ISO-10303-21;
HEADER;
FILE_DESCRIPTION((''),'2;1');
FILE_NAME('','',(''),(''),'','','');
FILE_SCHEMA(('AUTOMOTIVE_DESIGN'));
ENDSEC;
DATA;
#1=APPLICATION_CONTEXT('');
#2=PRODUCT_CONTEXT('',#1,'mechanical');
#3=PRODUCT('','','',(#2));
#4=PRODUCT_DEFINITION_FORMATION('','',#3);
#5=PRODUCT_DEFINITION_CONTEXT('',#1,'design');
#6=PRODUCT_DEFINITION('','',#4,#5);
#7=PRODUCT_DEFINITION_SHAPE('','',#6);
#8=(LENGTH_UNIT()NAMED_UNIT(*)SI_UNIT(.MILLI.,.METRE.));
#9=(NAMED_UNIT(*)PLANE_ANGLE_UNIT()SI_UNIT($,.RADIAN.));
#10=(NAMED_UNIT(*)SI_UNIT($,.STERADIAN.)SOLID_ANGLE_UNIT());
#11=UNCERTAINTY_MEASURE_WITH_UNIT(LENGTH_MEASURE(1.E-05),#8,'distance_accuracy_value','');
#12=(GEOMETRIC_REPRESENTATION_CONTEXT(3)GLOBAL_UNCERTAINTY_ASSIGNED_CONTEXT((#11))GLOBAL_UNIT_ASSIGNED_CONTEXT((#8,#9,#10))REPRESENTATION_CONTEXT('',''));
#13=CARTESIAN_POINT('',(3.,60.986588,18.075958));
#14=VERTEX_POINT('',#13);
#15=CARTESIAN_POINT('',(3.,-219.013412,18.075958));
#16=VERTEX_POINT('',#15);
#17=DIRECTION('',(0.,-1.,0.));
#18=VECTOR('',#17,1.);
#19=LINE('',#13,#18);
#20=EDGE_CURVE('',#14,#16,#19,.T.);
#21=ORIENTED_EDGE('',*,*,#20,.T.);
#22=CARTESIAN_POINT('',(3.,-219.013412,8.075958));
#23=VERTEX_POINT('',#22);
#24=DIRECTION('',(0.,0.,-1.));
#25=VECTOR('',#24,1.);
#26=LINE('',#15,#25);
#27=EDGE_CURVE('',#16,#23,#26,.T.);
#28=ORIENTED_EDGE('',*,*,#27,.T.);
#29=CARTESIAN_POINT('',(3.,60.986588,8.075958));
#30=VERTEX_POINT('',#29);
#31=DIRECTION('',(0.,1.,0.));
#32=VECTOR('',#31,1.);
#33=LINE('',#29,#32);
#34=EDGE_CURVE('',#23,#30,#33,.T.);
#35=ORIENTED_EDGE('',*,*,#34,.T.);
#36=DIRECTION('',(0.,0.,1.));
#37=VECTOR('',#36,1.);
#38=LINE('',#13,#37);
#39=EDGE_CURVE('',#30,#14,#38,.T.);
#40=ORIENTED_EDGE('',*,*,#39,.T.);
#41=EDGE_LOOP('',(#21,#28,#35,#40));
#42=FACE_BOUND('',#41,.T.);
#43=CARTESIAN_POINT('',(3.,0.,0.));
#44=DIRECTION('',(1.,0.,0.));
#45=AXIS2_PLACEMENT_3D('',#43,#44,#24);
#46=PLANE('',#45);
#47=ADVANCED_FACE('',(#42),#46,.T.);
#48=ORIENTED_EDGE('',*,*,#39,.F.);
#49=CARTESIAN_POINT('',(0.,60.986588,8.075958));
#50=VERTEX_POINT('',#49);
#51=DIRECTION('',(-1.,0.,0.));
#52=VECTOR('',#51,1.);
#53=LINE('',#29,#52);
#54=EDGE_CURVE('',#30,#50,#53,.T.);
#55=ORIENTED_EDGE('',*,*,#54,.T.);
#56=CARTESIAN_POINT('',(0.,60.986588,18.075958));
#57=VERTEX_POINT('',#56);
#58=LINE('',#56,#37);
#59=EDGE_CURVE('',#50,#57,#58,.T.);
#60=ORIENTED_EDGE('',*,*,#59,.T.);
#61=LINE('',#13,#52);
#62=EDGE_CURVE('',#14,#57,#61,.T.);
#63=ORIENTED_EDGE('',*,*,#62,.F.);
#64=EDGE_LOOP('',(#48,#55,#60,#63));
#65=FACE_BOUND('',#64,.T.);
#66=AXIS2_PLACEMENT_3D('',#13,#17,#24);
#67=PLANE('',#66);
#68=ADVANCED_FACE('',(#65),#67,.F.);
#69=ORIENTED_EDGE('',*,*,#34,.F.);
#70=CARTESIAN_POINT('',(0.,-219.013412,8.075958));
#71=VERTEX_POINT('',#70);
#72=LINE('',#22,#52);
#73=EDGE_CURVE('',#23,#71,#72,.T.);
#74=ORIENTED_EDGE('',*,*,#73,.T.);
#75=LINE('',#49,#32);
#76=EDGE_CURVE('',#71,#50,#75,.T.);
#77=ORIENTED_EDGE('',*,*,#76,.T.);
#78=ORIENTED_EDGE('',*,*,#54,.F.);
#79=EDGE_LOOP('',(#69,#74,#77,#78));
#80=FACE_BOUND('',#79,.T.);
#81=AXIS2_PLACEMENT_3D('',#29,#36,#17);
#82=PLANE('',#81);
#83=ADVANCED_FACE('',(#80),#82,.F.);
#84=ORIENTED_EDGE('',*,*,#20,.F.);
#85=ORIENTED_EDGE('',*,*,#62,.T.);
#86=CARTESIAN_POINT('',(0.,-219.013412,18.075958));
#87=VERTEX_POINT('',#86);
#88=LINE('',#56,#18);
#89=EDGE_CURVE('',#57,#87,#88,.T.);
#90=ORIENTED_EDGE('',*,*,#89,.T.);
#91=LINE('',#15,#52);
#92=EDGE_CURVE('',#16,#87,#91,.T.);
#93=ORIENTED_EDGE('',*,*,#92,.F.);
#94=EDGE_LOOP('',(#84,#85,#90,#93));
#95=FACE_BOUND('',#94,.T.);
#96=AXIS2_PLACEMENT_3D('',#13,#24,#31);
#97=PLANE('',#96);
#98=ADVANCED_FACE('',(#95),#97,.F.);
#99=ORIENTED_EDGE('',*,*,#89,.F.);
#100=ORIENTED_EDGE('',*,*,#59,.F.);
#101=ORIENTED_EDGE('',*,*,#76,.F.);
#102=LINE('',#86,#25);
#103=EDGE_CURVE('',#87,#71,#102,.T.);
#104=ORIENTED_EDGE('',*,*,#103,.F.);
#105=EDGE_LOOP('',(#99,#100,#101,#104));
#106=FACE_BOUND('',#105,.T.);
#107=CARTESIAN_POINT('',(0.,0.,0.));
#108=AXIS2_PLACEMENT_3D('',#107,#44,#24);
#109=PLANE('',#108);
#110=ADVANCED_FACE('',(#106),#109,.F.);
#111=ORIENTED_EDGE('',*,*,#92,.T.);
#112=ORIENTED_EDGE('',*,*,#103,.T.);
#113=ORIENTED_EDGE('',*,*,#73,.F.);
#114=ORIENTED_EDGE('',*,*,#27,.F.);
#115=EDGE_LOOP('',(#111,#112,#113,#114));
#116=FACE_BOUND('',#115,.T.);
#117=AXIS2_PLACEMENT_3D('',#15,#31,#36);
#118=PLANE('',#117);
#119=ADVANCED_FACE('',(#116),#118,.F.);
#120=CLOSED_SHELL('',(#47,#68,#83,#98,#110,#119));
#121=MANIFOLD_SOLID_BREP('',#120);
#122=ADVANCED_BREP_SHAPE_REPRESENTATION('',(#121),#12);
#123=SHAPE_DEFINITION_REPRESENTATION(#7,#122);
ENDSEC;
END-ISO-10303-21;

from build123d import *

# Parameters (mm, degrees)
SKETCH_1_W      = 10
SKETCH_1_H      = 280
EXTRUDE_1_DEPTH = 3


with BuildPart() as part:
    # 草图1 → 凸台-拉伸1 (new body)
    with BuildSketch(Plane(origin=(0, 0, 0), x_dir=(0, 0, -1), z_dir=(1, 0, 0))):
        with Locations((-13.075958139, -79.01341185)):
            Rectangle(SKETCH_1_W, SKETCH_1_H)
    extrude(amount=EXTRUDE_1_DEPTH)


solid = part.part
